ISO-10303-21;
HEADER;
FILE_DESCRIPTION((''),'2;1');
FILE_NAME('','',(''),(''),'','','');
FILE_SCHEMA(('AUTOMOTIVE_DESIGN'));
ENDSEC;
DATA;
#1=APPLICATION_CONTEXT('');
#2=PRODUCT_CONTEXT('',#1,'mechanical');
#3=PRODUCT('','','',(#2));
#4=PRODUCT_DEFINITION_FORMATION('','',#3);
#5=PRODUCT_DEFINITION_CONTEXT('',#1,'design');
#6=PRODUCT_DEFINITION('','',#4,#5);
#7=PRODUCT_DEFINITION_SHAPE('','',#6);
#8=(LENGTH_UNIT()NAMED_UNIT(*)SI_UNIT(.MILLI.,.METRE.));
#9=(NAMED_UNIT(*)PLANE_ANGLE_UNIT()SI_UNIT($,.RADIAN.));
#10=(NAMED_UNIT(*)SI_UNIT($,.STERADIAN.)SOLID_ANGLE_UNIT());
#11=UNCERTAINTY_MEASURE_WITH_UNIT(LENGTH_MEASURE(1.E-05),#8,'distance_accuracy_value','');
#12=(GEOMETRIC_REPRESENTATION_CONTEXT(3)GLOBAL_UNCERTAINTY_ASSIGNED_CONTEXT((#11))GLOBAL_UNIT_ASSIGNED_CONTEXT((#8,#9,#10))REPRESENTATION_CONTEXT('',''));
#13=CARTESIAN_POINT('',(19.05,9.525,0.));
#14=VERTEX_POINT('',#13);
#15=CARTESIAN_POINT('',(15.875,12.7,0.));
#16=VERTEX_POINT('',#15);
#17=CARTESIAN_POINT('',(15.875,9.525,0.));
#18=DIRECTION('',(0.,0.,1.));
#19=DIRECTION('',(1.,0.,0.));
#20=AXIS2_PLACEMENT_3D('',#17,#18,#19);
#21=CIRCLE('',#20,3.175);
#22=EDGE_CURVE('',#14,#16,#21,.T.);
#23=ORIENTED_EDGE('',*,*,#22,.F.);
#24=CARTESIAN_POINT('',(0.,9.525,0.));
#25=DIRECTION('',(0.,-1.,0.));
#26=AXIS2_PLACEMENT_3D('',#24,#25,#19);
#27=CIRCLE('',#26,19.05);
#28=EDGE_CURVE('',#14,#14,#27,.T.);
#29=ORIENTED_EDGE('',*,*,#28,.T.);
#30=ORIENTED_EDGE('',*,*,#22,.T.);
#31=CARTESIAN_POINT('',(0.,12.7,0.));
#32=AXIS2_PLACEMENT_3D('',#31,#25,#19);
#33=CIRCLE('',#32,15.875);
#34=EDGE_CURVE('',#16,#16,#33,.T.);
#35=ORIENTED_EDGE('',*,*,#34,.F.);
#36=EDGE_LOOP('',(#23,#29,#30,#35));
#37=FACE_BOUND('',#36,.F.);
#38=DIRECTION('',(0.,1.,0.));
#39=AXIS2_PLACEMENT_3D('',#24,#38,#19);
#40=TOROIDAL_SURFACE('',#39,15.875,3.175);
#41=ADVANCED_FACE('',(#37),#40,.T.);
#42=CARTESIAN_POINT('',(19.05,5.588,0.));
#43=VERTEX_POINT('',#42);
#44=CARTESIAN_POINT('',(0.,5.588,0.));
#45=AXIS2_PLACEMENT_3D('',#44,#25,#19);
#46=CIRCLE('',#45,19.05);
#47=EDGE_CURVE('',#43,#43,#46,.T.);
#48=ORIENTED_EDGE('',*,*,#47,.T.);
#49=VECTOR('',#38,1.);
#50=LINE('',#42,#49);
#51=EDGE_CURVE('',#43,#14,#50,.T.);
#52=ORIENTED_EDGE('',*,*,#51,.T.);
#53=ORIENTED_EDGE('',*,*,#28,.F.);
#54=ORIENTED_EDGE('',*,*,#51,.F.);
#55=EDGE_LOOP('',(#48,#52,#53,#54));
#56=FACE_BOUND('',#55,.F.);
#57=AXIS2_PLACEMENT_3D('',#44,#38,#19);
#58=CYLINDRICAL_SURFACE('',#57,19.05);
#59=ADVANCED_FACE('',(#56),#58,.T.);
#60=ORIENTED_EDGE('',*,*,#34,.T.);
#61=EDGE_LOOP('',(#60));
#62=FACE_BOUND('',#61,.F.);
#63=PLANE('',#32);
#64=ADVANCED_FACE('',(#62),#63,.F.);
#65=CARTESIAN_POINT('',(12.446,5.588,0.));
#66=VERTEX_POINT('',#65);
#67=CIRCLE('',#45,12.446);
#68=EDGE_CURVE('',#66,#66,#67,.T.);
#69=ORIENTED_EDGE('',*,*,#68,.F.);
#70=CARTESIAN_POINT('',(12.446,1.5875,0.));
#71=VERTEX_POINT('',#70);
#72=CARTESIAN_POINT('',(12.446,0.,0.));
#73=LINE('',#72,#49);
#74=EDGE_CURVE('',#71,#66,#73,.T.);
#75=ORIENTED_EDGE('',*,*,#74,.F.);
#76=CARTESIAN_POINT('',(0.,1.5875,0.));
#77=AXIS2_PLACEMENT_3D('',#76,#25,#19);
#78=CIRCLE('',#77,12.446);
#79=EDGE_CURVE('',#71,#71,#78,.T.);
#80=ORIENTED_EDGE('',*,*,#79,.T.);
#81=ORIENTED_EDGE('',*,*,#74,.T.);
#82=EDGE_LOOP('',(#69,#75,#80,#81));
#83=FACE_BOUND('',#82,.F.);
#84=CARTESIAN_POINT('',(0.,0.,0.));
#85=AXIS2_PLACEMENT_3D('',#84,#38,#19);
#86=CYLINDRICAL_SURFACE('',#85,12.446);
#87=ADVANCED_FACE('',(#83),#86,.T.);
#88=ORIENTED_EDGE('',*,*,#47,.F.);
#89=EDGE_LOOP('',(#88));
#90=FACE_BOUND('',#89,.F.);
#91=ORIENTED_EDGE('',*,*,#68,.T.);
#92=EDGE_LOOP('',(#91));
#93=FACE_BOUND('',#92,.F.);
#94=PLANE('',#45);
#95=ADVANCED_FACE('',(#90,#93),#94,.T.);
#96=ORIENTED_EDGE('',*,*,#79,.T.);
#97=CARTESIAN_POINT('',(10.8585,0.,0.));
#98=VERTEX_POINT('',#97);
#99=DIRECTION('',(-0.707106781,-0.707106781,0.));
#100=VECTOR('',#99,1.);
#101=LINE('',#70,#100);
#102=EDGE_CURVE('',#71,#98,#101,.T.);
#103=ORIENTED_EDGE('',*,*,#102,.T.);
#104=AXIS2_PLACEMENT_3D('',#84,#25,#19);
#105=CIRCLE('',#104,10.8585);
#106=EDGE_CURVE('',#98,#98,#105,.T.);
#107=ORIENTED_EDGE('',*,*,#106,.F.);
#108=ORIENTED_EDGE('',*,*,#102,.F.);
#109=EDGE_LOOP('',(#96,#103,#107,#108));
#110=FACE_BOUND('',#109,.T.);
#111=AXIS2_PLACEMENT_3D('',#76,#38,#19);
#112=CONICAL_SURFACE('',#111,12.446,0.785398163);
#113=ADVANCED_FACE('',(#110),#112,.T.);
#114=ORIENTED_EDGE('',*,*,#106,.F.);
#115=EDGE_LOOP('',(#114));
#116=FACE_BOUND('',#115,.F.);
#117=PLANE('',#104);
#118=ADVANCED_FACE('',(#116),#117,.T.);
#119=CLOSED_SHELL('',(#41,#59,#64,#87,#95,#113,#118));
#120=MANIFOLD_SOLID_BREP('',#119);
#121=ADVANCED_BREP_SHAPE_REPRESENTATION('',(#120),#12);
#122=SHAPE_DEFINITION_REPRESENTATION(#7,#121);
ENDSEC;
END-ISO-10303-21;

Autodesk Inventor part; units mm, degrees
ref_plane "YZ Plane" through (0, 0, 0) normal (1, 0, 0) x (0, 1, 0)
ref_plane "XZ Plane" through (0, 0, 0) normal (0, 1, 0) x (-1, 0, 0)
ref_plane "XY Plane" through (0, 0, 0) normal (0, 0, 1) x (1, 0, 0)
sketch "Sketch1" plane through (0, 0, 0) normal (0, 0, 1) x (1, 0, 0)
  line L0 (0, 0) -> (12.446, 0)
  line L1 (12.446, 0) -> (12.446, 5.588)
  line L2 (12.446, 5.588) -> (0, 5.588)
  line L3 (0, 5.588) -> (0, 0)
  line L4 (0, 5.588) -> (19.05, 5.588)
  line L5 (19.05, 5.588) -> (19.05, 9.525)
  line L6 (15.875, 12.7) -> (0, 12.7)
  line L7 (0, 12.7) -> (0, 5.588)
  arc A0 (19.05, 9.525) -> (15.875, 12.7) centre (15.875, 9.525) ccw
  dimension "d0" = 12.446
  dimension "d1" = 5.588
  dimension "d2" = 19.05
  dimension "d3" = 12.7
  dimension "d4" = 3.175
revolve "Revolution1" add sketch "Sketch1" angle 360 about axis through (0, 5.588, 0) along (0, -1, 0)
chamfer "Chamfer1" distance 1.5875 angle 45 1 edges at (-12.446, 0, 0)
properties part number "2016.06.10 ps Hamamatsu PMT Adapter bung cover"
